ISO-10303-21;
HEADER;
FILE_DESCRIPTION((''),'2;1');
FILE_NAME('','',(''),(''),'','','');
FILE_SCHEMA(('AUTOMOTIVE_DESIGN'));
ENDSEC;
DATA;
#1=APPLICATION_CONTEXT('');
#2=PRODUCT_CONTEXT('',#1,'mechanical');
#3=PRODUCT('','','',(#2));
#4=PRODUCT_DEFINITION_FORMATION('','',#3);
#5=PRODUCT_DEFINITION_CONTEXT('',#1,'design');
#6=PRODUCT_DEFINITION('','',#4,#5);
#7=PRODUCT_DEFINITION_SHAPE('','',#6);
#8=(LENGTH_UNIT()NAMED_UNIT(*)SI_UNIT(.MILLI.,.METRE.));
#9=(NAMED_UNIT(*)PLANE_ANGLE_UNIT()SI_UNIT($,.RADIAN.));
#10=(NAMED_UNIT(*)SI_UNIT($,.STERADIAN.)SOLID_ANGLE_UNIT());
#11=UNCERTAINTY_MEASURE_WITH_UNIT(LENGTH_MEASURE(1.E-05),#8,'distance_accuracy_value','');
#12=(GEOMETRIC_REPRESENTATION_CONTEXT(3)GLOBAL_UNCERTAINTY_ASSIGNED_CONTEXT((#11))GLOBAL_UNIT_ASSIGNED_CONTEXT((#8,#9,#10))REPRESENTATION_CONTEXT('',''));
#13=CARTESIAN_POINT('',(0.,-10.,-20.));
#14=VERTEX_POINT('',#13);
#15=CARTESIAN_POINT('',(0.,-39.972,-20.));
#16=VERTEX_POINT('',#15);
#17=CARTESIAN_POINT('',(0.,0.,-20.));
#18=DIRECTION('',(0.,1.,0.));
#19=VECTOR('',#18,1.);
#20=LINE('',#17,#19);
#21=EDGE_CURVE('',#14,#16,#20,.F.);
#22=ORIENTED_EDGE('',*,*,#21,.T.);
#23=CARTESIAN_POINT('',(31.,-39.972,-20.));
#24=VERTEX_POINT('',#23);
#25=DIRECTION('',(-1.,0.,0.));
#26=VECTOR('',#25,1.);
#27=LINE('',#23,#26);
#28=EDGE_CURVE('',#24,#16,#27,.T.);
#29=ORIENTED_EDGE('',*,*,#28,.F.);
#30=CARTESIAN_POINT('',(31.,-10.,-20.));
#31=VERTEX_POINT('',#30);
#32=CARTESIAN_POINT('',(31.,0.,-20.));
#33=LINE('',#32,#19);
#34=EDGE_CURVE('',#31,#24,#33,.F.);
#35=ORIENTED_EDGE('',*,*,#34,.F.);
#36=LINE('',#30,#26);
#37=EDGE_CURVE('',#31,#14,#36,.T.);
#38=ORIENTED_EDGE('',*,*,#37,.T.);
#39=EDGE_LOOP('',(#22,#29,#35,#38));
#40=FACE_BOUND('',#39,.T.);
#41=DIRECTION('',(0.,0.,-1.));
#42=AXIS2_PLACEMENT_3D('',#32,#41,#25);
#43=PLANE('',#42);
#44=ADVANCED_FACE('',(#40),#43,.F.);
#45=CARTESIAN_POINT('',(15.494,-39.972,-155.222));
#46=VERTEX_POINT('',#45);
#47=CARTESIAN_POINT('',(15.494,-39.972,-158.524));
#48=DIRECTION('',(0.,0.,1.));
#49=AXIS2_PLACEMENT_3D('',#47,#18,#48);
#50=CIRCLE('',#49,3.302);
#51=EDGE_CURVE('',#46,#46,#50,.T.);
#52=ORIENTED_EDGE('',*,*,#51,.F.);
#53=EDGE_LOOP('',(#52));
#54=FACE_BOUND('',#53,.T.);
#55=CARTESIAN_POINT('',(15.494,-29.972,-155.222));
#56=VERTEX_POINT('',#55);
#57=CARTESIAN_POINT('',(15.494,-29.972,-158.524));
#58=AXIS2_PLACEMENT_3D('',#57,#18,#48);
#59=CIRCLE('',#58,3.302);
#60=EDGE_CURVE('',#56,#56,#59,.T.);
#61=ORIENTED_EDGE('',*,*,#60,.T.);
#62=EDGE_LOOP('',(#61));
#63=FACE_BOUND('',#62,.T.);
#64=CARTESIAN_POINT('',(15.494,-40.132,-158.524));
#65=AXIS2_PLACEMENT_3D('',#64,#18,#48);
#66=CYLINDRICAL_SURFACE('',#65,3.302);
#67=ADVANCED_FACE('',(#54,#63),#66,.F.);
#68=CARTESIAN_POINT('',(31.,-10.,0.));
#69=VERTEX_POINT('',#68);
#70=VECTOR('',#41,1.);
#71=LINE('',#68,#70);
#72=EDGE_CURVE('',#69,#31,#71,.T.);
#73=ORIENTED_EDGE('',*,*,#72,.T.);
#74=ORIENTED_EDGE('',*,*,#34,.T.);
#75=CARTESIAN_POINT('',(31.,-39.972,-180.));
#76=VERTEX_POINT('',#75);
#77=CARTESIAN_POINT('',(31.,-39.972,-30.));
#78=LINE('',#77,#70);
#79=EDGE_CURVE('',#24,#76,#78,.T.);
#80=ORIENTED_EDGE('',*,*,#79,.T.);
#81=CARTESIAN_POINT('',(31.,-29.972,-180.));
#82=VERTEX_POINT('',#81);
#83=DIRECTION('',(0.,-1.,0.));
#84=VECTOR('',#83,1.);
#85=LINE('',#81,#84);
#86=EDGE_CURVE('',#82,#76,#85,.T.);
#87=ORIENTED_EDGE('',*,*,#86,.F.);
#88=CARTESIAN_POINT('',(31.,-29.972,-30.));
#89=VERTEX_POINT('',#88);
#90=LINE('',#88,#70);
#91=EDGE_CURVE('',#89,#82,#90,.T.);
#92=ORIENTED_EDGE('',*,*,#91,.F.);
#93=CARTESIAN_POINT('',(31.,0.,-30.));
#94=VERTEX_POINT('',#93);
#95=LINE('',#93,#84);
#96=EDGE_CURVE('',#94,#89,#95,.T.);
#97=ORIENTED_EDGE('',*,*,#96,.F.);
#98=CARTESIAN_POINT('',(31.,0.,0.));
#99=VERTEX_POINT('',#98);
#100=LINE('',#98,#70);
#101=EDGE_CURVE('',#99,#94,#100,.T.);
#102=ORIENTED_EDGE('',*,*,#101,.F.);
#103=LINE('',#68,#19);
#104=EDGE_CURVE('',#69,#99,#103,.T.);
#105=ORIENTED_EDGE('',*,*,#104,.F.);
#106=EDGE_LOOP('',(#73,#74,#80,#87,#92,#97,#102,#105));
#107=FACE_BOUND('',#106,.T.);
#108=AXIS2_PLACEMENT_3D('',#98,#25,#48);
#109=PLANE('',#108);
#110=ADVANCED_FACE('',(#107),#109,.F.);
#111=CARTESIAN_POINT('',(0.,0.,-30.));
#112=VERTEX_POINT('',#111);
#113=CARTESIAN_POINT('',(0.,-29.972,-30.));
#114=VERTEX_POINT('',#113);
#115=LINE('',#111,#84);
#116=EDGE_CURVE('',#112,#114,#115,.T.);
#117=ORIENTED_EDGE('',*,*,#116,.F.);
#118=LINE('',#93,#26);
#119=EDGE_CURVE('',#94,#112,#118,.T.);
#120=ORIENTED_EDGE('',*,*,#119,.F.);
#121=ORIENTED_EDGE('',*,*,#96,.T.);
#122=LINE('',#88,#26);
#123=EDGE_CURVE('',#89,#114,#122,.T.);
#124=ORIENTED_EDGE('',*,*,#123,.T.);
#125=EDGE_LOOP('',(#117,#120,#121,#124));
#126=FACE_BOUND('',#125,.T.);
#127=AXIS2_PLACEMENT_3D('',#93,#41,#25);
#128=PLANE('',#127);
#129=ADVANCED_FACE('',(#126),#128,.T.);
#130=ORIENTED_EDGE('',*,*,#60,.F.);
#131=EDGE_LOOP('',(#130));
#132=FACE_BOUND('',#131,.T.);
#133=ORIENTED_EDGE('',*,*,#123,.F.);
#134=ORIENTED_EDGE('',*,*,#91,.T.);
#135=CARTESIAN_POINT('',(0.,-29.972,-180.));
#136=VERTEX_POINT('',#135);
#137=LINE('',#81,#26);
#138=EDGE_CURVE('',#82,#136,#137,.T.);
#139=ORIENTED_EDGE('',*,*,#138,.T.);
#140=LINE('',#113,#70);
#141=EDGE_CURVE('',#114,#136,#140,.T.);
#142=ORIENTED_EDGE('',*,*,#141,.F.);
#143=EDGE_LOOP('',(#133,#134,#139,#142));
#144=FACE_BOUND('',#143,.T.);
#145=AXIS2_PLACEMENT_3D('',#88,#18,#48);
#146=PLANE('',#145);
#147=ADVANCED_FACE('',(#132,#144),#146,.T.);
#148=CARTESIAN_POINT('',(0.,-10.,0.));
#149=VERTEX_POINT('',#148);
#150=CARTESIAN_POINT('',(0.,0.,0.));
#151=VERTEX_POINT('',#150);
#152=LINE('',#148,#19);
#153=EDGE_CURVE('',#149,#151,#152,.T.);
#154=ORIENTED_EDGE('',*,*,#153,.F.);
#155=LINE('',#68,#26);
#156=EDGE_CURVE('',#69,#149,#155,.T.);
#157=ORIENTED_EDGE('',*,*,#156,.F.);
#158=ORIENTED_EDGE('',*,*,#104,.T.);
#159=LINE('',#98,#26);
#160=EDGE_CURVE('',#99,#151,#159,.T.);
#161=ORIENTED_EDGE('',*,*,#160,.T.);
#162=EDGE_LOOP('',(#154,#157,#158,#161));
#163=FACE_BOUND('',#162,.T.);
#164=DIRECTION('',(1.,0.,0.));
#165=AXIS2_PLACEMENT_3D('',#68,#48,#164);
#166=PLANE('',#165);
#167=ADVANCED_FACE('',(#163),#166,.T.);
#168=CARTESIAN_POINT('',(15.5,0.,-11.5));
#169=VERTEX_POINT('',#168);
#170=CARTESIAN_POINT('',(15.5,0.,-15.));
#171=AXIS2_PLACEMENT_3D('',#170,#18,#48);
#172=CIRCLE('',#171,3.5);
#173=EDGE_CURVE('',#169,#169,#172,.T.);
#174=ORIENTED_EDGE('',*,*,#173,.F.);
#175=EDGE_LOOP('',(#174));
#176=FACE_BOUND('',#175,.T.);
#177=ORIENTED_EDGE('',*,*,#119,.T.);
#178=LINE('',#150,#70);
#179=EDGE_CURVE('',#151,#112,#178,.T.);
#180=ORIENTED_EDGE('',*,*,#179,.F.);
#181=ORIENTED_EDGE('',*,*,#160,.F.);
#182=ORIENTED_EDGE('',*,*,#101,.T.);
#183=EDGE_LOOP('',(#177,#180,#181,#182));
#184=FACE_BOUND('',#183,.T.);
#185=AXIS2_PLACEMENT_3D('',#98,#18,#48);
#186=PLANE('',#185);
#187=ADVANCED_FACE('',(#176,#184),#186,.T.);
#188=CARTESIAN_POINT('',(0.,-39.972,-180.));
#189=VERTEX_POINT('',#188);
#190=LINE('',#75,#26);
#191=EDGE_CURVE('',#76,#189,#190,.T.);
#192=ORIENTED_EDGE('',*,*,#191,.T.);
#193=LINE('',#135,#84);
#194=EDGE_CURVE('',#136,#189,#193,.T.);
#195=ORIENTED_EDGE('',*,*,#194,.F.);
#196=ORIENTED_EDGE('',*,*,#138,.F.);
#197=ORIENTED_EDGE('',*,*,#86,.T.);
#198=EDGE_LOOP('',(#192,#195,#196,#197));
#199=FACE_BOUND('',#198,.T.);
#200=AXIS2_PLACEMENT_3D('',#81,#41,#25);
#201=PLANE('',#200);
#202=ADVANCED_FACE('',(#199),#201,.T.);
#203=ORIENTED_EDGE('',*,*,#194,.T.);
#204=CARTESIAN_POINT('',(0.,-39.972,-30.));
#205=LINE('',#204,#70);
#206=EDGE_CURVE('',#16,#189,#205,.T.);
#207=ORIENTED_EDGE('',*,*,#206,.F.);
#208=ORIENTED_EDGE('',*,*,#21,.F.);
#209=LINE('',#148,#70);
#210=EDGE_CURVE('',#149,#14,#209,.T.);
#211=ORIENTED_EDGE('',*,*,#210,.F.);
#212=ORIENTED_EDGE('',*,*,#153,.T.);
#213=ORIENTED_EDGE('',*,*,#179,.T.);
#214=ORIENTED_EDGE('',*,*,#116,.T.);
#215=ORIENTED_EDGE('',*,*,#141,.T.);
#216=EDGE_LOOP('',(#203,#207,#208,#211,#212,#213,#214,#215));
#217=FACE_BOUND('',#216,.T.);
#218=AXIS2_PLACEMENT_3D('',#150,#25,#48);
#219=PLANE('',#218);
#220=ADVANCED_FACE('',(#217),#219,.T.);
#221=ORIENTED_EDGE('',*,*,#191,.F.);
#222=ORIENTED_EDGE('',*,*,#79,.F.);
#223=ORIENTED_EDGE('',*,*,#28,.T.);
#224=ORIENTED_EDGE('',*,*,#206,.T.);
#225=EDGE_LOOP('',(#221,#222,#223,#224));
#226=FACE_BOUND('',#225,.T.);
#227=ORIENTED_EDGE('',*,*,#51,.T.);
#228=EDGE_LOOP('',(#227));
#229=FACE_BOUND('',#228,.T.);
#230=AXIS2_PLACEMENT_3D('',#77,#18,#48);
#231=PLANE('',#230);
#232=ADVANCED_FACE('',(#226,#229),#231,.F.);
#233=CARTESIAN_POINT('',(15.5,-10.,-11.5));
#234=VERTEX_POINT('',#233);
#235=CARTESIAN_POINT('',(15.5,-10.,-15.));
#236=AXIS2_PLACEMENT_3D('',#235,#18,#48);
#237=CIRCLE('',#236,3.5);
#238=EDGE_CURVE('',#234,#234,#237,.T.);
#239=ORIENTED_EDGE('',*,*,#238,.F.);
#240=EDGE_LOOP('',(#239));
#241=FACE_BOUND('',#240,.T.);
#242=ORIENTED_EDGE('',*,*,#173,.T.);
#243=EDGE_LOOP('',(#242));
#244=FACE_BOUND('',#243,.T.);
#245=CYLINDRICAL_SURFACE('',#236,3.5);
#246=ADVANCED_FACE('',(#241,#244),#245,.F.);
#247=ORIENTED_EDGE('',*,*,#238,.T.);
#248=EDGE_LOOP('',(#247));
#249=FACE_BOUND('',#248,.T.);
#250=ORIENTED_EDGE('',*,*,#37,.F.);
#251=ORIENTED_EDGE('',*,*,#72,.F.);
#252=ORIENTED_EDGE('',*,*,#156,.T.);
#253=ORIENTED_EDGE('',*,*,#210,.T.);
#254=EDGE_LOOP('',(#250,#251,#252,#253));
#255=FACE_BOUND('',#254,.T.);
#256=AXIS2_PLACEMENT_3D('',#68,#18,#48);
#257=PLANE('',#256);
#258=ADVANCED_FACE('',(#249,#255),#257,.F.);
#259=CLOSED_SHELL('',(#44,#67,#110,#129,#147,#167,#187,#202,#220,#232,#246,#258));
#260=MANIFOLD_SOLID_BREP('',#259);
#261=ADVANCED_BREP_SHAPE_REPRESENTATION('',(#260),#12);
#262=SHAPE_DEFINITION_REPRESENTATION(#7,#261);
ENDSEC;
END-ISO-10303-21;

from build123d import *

# Parameters (mm, degrees)
EXTRUDE_THIN1_DEPTH = 31
SKETCH6_R           = 3.5
CUT_EXTRUDE1_DEPTH  = 10
SKETCH7_R           = 3.302
CUT_EXTRUDE3_DEPTH  = 10.16


with BuildPart() as part:
    # Sketch1 → Extrude-Thin1 (new body)
    with BuildSketch(Plane(origin=(0, 0, 0), x_dir=(0, 0, -1), z_dir=(1, 0, 0))):
        Polygon((0, 0), (30, 0), (30, -29.972), (180, -29.972), (180, -39.972), (20, -39.972), (20, -10), (0, -10), align=None)
    extrude(amount=EXTRUDE_THIN1_DEPTH)

    # Sketch6 → Cut-Extrude1 (cut)
    with BuildSketch(Plane(origin=(0, 0, 0), x_dir=(1, 0, 0), z_dir=(0, 1, 0))):
        with Locations(Location((15.5, 15, 0), (0, 0, 270))):
            Circle(SKETCH6_R)
    extrude(amount=-CUT_EXTRUDE1_DEPTH, mode=Mode.SUBTRACT)

    # Sketch7 → Cut-Extrude3 (cut)
    with BuildSketch(Plane(origin=(0, -29.972, 0), x_dir=(1, 0, 0), z_dir=(0, 1, 0))):
        with Locations(Location((15.494, 158.524, 0), (0, 0, 270))):
            Circle(SKETCH7_R)
    extrude(amount=-CUT_EXTRUDE3_DEPTH, mode=Mode.SUBTRACT)


solid = part.part
